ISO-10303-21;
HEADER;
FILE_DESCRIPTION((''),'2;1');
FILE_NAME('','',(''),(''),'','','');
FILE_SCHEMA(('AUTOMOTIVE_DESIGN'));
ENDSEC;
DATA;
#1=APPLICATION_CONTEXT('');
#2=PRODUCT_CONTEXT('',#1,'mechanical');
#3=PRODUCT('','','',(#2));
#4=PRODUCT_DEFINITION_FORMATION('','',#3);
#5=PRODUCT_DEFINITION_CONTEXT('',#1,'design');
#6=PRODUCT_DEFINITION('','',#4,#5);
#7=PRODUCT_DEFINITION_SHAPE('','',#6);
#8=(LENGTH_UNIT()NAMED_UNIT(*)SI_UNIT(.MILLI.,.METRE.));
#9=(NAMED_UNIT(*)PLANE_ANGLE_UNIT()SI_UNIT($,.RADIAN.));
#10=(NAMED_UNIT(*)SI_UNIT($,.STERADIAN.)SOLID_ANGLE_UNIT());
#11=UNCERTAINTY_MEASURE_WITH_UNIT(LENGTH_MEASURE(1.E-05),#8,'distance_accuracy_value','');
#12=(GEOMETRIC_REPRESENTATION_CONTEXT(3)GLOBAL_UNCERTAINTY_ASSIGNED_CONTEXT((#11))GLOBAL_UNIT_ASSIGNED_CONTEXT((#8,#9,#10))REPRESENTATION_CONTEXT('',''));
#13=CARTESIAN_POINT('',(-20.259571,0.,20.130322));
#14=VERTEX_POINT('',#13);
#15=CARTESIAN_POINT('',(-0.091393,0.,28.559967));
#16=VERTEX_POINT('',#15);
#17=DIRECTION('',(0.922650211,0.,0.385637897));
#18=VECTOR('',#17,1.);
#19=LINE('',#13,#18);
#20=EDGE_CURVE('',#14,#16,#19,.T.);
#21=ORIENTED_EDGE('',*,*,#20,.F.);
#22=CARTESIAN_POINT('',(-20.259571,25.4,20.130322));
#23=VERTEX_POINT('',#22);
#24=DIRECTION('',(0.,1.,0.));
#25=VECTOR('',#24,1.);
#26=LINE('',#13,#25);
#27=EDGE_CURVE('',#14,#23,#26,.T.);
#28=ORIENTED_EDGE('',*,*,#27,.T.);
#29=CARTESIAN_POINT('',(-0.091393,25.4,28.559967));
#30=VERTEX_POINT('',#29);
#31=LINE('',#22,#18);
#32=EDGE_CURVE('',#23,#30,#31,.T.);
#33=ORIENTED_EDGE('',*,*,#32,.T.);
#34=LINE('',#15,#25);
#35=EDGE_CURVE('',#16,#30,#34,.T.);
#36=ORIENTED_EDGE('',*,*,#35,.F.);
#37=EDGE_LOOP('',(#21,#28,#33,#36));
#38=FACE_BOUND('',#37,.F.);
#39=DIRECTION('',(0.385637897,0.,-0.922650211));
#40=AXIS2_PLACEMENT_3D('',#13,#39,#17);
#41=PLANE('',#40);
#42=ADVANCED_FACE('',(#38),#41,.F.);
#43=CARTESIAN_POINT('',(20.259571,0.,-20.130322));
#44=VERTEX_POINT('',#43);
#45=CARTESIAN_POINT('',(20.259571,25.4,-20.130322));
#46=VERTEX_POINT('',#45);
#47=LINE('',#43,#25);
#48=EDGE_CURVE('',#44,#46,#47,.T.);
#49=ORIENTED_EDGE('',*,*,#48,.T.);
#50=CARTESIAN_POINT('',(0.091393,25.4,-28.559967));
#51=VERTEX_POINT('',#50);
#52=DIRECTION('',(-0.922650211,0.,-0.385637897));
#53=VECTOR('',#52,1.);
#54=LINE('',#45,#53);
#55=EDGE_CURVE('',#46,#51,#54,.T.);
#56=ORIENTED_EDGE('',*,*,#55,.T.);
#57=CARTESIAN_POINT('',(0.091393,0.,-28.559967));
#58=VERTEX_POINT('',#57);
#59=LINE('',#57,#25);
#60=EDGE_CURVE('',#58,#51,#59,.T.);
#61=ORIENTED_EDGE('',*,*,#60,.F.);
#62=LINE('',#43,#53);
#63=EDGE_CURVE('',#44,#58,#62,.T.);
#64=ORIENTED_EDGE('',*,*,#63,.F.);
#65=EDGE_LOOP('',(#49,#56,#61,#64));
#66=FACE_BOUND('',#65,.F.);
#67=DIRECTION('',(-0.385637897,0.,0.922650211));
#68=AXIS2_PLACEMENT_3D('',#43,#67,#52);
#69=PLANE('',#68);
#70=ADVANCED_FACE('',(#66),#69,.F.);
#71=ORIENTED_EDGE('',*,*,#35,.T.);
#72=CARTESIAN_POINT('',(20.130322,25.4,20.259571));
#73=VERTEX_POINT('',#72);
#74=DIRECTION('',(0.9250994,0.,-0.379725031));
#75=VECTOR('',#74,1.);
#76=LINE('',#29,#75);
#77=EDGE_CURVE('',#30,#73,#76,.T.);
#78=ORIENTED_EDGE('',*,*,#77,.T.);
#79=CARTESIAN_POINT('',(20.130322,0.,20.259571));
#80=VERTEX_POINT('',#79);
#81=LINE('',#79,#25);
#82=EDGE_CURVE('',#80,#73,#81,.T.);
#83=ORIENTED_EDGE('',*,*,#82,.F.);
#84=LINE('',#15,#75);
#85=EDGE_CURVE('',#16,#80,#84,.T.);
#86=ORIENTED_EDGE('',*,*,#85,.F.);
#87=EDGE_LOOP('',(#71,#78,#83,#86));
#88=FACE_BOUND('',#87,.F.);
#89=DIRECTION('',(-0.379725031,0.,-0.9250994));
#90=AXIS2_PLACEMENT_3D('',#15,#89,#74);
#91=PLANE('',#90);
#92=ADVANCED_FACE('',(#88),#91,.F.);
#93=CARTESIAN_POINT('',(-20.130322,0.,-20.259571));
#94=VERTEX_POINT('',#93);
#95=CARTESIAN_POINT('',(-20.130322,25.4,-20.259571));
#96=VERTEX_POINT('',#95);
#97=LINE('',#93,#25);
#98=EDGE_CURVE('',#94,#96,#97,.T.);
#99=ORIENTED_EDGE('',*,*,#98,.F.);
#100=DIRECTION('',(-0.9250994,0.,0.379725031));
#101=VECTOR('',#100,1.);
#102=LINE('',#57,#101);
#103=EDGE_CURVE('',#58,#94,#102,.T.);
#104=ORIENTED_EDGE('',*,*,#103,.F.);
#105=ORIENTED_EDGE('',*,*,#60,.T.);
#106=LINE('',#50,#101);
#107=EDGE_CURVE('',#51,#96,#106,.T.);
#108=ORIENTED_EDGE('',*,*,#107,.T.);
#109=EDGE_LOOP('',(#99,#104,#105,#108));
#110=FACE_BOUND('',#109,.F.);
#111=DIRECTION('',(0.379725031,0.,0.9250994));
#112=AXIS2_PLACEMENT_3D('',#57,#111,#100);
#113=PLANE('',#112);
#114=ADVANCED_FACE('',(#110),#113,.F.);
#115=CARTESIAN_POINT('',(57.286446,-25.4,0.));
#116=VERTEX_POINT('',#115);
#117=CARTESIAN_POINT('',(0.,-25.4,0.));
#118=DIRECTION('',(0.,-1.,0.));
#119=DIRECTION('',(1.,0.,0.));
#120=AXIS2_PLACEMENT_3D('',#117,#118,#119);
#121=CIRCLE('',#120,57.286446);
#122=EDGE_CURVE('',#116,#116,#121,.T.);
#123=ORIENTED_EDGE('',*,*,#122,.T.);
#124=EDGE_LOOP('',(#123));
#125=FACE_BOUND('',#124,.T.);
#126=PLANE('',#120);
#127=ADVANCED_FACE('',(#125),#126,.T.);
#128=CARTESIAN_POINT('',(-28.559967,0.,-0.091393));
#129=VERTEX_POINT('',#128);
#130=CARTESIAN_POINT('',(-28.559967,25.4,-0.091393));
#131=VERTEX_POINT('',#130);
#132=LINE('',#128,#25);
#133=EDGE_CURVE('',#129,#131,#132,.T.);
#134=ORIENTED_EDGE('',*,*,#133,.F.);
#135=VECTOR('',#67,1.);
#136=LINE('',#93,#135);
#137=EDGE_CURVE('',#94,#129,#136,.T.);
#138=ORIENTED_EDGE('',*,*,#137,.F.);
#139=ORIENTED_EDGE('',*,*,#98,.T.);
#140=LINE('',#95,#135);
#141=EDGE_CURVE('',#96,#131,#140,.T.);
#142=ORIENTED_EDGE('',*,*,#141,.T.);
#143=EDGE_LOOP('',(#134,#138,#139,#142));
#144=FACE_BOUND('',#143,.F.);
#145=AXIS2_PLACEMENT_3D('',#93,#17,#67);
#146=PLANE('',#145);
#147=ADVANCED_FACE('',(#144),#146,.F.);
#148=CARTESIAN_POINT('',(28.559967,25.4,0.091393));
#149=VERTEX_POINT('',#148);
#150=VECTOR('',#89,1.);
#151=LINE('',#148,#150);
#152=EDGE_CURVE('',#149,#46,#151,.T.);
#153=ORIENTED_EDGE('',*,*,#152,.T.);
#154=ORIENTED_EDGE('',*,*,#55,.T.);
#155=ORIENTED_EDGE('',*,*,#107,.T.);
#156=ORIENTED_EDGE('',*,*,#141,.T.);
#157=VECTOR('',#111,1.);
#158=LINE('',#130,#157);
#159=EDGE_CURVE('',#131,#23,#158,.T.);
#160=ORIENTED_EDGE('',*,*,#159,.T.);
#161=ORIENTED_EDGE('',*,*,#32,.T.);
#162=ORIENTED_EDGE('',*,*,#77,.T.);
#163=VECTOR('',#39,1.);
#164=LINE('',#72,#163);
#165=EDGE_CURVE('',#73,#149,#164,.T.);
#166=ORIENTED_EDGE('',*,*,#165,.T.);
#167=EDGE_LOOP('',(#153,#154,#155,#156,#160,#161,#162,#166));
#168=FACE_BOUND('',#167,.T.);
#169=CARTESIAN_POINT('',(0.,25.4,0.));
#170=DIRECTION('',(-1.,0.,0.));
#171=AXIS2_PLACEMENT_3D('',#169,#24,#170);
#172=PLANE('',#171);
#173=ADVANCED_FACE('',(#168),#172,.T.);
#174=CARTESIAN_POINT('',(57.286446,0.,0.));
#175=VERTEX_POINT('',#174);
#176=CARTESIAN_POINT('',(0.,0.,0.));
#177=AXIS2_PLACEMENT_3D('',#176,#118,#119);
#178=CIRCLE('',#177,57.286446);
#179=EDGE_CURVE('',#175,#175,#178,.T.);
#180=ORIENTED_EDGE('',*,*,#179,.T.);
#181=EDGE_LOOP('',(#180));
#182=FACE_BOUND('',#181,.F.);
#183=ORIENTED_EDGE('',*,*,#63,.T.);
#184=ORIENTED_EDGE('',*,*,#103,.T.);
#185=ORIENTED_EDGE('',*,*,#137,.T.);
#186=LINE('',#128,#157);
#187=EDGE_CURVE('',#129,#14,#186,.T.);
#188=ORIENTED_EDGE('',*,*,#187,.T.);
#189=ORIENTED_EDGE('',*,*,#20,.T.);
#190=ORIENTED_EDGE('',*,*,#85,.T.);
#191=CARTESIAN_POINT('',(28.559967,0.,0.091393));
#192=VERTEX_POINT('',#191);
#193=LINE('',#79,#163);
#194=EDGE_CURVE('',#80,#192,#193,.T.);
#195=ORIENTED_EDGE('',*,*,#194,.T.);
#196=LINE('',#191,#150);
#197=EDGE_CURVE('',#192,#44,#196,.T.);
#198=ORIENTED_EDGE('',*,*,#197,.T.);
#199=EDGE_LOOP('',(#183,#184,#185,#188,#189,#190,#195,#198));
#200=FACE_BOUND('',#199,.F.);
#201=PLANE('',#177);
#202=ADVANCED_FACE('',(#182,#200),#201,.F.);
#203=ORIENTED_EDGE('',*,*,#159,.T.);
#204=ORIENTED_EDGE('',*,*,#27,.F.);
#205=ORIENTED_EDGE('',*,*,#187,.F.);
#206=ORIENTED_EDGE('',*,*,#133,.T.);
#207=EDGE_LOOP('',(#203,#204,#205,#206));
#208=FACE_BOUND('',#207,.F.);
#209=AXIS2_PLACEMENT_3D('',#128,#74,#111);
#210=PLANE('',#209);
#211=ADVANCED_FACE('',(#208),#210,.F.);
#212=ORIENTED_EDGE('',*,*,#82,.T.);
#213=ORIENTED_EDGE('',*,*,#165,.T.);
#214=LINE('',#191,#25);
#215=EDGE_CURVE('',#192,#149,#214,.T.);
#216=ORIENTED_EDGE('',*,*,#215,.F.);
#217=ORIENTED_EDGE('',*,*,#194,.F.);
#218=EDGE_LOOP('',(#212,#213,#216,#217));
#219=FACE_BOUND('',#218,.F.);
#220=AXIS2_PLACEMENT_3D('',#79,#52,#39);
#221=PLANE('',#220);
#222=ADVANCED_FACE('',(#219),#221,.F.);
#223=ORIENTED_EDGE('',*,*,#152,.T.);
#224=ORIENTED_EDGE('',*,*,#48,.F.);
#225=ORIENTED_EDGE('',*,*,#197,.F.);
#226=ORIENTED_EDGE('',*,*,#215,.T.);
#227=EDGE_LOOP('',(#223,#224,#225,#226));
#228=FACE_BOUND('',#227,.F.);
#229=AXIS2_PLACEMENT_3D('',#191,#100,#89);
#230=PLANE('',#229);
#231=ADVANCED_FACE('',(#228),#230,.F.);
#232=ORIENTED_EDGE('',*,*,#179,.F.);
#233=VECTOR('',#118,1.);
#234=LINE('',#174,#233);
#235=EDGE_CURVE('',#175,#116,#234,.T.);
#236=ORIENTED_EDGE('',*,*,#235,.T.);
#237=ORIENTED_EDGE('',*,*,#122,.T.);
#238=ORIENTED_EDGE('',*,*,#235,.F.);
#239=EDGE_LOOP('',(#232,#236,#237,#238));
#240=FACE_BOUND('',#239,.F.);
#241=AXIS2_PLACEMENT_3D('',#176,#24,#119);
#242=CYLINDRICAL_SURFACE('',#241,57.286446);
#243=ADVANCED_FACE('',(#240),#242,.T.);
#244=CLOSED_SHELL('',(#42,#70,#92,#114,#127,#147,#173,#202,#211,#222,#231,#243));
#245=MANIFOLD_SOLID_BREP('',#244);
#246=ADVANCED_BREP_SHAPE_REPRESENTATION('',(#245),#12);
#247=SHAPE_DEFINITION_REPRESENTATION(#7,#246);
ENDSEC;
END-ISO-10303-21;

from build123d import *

# Parameters (mm, degrees)
F0_R     = 57.286446
F1_DEPTH = 25.4
F3_DEPTH = 25.4


with BuildPart() as f1:
    # F0 (on Front) → F1 (new body)
    with BuildSketch(Plane.XZ):
        Circle(F0_R)
    extrude(amount=F1_DEPTH)

    # F2 (on face) → F3 (join)
    with BuildSketch(Plane(origin=(0, 0, 0), x_dir=(-1, 0, 0), z_dir=(0, 1, 0))):
        Polygon((0.091393, 28.559967), (-20.130322, 20.259571), (-28.559967, 0.091393), (-20.259571, -20.130322), (-0.091393, -28.559967), (20.130322, -20.259571), (28.559967, -0.091393), (20.259571, 20.130322), align=None)
    extrude(amount=F3_DEPTH)


solid = f1.part
